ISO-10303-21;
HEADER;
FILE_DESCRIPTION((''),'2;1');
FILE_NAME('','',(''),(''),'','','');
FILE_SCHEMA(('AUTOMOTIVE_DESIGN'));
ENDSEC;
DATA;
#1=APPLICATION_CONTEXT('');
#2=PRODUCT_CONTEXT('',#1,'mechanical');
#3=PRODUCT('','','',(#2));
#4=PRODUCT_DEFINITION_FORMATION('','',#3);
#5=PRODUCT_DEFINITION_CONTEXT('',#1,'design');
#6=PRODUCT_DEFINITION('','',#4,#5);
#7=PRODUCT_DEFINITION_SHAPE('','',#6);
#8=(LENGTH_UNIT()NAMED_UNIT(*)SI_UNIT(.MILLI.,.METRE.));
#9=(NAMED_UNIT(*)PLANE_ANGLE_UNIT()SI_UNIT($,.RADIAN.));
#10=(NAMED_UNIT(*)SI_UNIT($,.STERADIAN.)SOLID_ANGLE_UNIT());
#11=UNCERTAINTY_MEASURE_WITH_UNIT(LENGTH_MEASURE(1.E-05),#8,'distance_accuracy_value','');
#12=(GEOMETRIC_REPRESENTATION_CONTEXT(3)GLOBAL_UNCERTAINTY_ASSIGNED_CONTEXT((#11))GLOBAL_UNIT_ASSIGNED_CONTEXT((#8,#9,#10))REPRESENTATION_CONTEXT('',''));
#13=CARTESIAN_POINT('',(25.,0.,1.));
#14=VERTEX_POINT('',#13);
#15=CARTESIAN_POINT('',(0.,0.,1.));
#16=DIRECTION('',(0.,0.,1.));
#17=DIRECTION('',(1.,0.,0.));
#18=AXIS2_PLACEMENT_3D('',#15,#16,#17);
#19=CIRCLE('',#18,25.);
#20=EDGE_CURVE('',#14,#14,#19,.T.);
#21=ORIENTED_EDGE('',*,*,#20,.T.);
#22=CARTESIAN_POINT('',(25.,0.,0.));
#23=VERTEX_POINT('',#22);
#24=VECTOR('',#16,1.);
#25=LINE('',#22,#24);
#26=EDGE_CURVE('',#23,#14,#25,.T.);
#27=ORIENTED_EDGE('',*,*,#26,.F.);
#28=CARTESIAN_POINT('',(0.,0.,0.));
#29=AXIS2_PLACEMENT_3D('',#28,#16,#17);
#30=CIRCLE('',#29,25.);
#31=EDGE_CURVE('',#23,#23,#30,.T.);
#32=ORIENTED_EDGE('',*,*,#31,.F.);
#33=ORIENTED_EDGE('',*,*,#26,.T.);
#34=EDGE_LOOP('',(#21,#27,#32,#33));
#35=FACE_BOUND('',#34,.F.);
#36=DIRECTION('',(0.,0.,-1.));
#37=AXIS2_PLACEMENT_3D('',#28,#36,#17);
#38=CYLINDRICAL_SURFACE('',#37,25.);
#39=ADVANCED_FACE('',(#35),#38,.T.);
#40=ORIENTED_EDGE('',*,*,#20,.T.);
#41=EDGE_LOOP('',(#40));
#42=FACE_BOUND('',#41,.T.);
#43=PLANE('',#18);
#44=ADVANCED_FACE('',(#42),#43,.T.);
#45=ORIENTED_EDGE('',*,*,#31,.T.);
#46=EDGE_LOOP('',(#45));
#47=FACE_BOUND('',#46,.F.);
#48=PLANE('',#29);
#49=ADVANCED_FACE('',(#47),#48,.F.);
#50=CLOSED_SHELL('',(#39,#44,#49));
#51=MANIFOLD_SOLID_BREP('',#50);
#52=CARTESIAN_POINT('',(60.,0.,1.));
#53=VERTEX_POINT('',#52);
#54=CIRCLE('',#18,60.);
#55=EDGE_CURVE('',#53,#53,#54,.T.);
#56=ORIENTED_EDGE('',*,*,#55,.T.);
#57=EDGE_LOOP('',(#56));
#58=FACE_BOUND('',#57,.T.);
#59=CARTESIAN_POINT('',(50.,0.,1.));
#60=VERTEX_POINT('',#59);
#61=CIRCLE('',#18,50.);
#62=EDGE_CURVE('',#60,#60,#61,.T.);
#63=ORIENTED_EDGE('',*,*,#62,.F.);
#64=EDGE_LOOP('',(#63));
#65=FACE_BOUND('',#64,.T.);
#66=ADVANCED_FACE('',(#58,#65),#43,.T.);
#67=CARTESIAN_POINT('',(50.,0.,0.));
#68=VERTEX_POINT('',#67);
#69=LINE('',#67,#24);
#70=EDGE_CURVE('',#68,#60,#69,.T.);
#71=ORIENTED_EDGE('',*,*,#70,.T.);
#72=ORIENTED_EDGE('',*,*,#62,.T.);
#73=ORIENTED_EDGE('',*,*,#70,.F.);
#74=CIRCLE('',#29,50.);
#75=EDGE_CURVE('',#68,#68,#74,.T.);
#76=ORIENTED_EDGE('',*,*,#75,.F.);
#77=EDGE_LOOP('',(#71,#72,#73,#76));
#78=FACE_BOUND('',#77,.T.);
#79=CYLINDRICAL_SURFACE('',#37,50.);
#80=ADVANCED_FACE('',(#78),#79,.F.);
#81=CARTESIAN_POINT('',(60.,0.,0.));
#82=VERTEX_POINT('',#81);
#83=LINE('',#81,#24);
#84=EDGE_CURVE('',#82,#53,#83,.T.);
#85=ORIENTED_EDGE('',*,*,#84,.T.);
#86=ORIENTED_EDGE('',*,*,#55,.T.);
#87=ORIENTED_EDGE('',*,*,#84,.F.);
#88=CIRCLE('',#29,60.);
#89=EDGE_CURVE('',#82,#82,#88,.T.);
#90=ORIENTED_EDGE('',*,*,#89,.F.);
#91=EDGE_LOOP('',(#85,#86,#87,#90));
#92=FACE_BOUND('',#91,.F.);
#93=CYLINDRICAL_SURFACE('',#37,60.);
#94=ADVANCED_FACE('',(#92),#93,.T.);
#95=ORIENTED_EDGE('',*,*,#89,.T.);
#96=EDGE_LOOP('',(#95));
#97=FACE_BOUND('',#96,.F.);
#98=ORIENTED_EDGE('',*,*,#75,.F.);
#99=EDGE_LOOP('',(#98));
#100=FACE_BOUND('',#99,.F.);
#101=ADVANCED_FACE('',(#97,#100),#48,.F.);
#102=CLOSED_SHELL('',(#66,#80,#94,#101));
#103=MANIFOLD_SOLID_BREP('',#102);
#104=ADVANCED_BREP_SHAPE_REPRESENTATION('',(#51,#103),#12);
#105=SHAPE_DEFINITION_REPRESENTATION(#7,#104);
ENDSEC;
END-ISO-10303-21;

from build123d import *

# Parameters (mm, degrees)
F0_R     = 60
F0_R_2   = 50
F1_DEPTH = 1
F0_R_3   = 25


with BuildPart() as f1:
    # F0 (on Top) → F1 (new body)
    with BuildSketch(Plane.XY):
        Circle(F0_R)
        Circle(F0_R_2, mode=Mode.SUBTRACT)
    extrude(amount=F1_DEPTH)


with BuildPart() as f1b:
    # F0 (on Top) → F1, piece 2 (new body)
    with BuildSketch(Plane.XY):
        Circle(F0_R_3)
    extrude(amount=F1_DEPTH)


solid = Compound([f1.part, f1b.part])
